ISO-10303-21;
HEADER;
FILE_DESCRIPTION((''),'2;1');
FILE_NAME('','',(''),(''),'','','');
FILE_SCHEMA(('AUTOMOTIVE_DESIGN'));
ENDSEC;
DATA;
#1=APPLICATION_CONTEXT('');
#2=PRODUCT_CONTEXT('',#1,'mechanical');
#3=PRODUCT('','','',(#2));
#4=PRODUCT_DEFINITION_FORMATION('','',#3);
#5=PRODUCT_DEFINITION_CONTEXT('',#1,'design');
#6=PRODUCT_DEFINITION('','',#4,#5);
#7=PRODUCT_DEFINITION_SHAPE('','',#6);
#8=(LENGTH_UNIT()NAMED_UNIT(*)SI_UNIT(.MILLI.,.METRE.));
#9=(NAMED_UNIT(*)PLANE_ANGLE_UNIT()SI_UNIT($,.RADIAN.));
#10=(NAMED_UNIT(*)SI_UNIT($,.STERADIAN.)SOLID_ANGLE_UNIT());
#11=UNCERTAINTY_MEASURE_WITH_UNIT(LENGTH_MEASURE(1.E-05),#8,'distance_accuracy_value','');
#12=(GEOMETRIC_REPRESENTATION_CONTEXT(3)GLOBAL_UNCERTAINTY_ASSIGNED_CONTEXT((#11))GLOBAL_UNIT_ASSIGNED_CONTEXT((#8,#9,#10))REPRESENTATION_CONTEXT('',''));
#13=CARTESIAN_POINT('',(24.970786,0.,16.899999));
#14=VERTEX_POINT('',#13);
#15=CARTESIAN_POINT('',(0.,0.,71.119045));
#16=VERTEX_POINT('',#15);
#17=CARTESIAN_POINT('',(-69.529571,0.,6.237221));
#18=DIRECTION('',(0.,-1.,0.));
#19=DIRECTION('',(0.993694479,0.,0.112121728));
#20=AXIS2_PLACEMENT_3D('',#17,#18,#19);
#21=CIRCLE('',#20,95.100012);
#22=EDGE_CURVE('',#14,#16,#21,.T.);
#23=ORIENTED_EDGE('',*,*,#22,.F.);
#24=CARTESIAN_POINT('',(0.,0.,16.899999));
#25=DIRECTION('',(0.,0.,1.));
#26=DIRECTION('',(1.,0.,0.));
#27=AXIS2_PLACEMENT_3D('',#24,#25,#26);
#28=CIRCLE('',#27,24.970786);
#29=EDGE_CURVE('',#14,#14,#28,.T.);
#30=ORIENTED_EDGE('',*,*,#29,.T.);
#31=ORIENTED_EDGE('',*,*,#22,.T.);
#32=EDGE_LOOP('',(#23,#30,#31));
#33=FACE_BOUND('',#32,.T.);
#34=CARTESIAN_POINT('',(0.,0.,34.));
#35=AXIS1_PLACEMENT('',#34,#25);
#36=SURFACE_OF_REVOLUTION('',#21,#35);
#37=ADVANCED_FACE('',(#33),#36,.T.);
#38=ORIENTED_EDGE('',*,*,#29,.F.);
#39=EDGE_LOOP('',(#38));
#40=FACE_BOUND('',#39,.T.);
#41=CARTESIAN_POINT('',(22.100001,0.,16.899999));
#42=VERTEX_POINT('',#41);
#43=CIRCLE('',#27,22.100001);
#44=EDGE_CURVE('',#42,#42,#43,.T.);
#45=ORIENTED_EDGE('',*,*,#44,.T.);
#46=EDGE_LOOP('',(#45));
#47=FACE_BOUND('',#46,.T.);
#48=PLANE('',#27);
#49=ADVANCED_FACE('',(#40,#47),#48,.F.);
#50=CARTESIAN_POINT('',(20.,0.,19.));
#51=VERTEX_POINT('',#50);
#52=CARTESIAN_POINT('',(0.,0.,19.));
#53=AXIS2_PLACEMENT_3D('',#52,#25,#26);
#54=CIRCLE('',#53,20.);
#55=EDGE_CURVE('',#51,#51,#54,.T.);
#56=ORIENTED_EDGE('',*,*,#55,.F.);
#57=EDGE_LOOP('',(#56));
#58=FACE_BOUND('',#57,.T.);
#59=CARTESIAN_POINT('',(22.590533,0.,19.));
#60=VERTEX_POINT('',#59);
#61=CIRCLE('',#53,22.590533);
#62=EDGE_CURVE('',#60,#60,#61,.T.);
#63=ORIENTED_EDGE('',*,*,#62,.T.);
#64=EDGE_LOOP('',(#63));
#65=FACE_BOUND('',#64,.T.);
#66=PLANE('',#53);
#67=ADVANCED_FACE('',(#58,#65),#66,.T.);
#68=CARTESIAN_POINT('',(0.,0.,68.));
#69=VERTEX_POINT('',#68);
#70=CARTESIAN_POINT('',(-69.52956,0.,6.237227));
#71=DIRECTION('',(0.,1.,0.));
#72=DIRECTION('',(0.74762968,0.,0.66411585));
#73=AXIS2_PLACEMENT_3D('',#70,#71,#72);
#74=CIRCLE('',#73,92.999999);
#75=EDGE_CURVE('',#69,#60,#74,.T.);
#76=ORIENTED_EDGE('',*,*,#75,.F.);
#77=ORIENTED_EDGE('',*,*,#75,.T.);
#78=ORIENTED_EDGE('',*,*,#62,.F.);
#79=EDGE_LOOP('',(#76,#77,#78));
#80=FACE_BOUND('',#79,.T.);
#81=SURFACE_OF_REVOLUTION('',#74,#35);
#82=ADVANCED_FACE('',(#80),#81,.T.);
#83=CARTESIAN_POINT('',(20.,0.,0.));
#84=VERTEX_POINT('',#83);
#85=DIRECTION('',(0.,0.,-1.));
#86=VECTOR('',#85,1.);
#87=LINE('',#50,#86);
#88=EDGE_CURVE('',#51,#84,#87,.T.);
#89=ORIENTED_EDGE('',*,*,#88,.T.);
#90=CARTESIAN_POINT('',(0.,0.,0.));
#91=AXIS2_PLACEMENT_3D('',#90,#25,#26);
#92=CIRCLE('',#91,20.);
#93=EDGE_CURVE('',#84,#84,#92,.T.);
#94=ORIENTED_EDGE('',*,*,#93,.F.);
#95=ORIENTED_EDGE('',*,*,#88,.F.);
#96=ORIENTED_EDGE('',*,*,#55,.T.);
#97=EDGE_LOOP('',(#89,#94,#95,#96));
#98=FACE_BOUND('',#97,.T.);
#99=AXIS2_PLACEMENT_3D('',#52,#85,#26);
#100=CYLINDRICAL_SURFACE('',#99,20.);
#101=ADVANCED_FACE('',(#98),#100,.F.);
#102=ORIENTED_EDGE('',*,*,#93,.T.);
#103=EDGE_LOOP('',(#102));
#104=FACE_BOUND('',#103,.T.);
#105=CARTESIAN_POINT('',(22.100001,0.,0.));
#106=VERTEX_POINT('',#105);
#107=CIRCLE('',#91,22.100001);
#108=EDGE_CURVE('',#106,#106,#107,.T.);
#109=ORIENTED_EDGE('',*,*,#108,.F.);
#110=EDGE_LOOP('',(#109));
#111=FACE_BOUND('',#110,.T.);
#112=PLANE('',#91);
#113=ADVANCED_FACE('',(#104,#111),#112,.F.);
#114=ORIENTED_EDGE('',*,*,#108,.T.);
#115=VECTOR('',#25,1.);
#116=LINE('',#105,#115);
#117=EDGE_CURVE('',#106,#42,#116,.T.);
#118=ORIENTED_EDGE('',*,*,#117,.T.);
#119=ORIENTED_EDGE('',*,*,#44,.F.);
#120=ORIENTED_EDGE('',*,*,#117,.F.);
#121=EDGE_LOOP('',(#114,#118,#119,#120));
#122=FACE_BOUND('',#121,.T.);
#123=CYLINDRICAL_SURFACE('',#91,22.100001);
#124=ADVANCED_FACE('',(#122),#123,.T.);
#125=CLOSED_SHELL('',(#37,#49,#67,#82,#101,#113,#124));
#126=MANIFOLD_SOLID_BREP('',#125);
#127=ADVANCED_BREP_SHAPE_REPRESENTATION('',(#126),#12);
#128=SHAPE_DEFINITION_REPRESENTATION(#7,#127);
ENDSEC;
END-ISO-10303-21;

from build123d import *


with BuildPart() as f1:
    # F0 (on Front) → F1 (revolve)
    with BuildSketch(Plane.XZ):
        with BuildLine():
            Line((20, 19), (20, 0))
            Line((20, 0), (22.100001, 0))
            Line((22.100001, 0), (22.100001, 16.899999))
            Line((22.100001, 16.899999), (24.970786, 16.899999))
            ThreePointArc((24.970786, 16.899999), (16.849712, 46.019526), (0, 71.119045))
            Line((0, 71.119045), (0, 68))
            ThreePointArc((0, 68), (14.926953, 45.174321), (22.590533, 19))
            Line((22.590533, 19), (20, 19))
        make_face()
    revolve(axis=Axis((0, 0, 34), (0, 0, 1)))


solid = f1.part
